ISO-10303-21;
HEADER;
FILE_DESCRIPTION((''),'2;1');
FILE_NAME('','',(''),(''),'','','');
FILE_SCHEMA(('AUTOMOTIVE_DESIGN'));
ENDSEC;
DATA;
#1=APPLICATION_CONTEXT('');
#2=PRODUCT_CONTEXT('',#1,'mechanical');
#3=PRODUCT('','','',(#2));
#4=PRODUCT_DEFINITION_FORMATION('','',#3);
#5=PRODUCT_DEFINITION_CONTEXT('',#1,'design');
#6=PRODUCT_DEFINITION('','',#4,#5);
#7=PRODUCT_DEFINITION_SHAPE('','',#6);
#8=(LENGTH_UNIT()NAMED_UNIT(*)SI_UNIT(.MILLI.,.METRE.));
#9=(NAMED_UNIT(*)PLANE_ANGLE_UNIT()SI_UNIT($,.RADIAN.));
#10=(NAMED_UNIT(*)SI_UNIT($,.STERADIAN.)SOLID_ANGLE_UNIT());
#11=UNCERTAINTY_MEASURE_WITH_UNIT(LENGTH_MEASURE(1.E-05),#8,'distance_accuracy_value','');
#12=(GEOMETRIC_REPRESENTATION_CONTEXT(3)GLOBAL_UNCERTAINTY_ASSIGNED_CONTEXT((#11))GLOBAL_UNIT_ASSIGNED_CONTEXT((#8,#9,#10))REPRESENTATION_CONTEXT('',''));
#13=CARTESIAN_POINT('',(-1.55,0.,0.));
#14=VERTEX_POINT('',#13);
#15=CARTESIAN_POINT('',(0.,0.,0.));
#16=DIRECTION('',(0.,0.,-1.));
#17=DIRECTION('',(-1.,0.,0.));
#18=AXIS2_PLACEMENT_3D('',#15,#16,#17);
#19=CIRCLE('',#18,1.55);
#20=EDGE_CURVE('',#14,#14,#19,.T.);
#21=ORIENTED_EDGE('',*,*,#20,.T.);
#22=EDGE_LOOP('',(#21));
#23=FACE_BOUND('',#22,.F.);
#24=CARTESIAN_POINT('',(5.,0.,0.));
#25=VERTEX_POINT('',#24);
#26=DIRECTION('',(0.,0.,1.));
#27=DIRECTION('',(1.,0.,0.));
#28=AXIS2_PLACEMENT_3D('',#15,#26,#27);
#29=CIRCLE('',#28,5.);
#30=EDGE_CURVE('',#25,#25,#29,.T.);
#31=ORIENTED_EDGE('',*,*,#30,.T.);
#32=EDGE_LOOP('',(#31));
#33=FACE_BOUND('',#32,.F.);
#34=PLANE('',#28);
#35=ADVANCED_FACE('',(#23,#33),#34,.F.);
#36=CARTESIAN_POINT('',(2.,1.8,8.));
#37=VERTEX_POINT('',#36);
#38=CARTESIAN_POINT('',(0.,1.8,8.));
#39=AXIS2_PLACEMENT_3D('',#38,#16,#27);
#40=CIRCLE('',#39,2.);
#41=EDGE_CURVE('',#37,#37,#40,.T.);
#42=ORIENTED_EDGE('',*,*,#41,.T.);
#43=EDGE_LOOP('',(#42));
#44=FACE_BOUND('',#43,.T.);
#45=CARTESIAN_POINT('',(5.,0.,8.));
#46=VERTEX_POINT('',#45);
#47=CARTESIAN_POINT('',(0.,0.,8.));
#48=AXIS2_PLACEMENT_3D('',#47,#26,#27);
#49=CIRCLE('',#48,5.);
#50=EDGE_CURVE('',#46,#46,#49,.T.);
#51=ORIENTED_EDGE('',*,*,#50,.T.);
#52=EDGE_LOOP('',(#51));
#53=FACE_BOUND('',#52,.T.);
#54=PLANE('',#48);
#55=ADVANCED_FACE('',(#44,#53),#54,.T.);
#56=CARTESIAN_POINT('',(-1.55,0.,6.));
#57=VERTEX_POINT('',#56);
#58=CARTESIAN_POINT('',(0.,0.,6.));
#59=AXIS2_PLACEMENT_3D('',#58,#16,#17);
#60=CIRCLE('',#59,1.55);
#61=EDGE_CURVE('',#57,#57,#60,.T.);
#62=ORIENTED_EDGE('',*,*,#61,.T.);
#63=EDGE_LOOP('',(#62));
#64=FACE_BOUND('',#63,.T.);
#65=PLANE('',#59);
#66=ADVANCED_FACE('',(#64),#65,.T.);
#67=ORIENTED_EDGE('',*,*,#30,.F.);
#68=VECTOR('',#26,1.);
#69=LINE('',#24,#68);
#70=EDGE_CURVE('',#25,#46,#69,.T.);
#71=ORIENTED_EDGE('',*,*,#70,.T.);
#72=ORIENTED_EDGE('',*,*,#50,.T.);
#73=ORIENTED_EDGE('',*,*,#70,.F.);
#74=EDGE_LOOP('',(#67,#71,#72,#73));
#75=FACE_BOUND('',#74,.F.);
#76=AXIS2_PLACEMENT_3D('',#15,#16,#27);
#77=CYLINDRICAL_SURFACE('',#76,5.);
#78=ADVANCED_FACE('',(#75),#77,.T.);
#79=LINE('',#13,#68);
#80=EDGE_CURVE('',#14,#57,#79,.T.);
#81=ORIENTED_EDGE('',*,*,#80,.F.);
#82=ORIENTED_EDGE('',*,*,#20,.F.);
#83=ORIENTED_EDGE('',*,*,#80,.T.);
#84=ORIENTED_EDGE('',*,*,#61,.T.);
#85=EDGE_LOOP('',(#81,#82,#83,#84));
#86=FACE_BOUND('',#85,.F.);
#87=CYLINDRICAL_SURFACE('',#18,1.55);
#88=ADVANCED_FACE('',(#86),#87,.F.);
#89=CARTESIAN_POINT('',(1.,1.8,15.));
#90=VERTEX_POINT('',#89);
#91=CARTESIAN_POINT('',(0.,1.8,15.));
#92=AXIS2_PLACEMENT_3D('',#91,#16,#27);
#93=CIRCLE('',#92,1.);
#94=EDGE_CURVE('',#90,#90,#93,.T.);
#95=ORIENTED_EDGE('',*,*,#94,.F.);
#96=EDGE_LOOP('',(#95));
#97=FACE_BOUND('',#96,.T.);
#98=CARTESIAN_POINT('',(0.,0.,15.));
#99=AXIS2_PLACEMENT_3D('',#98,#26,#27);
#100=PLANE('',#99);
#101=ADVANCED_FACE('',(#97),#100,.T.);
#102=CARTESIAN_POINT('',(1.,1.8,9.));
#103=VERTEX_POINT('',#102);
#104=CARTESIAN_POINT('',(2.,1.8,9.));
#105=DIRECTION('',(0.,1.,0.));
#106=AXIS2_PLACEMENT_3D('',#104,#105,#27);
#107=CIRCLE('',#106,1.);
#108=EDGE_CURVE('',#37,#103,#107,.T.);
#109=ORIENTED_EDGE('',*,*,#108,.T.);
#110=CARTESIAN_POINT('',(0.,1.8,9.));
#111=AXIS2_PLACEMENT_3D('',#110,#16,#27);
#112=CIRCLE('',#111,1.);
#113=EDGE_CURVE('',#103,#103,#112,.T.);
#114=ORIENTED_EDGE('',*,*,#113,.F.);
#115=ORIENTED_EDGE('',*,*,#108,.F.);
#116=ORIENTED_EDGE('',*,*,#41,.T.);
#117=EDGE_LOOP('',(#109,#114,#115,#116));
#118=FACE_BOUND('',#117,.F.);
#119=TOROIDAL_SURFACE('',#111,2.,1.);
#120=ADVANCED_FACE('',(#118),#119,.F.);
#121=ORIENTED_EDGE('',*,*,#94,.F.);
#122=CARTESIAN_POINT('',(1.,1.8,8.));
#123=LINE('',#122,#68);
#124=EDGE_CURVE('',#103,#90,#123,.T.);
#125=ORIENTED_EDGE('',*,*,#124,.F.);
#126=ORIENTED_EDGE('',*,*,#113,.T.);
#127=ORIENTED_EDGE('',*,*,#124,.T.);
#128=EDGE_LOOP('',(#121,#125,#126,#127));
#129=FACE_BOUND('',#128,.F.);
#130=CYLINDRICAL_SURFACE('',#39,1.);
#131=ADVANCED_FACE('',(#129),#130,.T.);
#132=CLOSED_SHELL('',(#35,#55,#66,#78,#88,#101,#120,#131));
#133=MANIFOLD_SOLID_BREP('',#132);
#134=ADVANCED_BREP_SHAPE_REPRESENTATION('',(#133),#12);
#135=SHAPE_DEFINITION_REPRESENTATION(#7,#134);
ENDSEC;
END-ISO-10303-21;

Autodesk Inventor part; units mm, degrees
ref_plane "YZ Plane" through (0, 0, 0) normal (1, 0, 0) x (0, 1, 0)
ref_plane "XZ Plane" through (0, 0, 0) normal (0, 1, 0) x (-1, 0, 0)
ref_plane "XY Plane" through (0, 0, 0) normal (0, 0, 1) x (1, 0, 0)
sketch "Эскиз1" plane through (0, 0, 0) normal (0, 0, 1) x (1, 0, 0)
  circle A0 centre (0, 0) radius 5
  dimension "d0" = 10
extrude "Выдавливание1" add sketch "Эскиз1" along normal blind 8
sketch "Эскиз2" plane through (0, 0, 8) normal (0, 0, 1) x (1, 0, 0)
  line L0 (0, 0) -> (0, 1.8)
  circle A0 centre (0, 1.8) radius 1
  dimension "d3" = 1.8
  dimension "d4" = 2
extrude "Выдавливание2" add sketch "Эскиз2" along normal blind 7
sketch "Sketch3" plane through (0, 0, 0) normal (0, 0, -1) x (-1, 0, 0)
  circle A0 centre (0, 0) radius 1.55
  dimension "d7" = 3.1
extrude "Extrusion3" cut sketch "Sketch3" against normal blind 6
fillet "Fillet1" radius 1 1 edges at (-1, 1.8, 8)
properties part number "excentrick_2" material "Stainless Steel"
